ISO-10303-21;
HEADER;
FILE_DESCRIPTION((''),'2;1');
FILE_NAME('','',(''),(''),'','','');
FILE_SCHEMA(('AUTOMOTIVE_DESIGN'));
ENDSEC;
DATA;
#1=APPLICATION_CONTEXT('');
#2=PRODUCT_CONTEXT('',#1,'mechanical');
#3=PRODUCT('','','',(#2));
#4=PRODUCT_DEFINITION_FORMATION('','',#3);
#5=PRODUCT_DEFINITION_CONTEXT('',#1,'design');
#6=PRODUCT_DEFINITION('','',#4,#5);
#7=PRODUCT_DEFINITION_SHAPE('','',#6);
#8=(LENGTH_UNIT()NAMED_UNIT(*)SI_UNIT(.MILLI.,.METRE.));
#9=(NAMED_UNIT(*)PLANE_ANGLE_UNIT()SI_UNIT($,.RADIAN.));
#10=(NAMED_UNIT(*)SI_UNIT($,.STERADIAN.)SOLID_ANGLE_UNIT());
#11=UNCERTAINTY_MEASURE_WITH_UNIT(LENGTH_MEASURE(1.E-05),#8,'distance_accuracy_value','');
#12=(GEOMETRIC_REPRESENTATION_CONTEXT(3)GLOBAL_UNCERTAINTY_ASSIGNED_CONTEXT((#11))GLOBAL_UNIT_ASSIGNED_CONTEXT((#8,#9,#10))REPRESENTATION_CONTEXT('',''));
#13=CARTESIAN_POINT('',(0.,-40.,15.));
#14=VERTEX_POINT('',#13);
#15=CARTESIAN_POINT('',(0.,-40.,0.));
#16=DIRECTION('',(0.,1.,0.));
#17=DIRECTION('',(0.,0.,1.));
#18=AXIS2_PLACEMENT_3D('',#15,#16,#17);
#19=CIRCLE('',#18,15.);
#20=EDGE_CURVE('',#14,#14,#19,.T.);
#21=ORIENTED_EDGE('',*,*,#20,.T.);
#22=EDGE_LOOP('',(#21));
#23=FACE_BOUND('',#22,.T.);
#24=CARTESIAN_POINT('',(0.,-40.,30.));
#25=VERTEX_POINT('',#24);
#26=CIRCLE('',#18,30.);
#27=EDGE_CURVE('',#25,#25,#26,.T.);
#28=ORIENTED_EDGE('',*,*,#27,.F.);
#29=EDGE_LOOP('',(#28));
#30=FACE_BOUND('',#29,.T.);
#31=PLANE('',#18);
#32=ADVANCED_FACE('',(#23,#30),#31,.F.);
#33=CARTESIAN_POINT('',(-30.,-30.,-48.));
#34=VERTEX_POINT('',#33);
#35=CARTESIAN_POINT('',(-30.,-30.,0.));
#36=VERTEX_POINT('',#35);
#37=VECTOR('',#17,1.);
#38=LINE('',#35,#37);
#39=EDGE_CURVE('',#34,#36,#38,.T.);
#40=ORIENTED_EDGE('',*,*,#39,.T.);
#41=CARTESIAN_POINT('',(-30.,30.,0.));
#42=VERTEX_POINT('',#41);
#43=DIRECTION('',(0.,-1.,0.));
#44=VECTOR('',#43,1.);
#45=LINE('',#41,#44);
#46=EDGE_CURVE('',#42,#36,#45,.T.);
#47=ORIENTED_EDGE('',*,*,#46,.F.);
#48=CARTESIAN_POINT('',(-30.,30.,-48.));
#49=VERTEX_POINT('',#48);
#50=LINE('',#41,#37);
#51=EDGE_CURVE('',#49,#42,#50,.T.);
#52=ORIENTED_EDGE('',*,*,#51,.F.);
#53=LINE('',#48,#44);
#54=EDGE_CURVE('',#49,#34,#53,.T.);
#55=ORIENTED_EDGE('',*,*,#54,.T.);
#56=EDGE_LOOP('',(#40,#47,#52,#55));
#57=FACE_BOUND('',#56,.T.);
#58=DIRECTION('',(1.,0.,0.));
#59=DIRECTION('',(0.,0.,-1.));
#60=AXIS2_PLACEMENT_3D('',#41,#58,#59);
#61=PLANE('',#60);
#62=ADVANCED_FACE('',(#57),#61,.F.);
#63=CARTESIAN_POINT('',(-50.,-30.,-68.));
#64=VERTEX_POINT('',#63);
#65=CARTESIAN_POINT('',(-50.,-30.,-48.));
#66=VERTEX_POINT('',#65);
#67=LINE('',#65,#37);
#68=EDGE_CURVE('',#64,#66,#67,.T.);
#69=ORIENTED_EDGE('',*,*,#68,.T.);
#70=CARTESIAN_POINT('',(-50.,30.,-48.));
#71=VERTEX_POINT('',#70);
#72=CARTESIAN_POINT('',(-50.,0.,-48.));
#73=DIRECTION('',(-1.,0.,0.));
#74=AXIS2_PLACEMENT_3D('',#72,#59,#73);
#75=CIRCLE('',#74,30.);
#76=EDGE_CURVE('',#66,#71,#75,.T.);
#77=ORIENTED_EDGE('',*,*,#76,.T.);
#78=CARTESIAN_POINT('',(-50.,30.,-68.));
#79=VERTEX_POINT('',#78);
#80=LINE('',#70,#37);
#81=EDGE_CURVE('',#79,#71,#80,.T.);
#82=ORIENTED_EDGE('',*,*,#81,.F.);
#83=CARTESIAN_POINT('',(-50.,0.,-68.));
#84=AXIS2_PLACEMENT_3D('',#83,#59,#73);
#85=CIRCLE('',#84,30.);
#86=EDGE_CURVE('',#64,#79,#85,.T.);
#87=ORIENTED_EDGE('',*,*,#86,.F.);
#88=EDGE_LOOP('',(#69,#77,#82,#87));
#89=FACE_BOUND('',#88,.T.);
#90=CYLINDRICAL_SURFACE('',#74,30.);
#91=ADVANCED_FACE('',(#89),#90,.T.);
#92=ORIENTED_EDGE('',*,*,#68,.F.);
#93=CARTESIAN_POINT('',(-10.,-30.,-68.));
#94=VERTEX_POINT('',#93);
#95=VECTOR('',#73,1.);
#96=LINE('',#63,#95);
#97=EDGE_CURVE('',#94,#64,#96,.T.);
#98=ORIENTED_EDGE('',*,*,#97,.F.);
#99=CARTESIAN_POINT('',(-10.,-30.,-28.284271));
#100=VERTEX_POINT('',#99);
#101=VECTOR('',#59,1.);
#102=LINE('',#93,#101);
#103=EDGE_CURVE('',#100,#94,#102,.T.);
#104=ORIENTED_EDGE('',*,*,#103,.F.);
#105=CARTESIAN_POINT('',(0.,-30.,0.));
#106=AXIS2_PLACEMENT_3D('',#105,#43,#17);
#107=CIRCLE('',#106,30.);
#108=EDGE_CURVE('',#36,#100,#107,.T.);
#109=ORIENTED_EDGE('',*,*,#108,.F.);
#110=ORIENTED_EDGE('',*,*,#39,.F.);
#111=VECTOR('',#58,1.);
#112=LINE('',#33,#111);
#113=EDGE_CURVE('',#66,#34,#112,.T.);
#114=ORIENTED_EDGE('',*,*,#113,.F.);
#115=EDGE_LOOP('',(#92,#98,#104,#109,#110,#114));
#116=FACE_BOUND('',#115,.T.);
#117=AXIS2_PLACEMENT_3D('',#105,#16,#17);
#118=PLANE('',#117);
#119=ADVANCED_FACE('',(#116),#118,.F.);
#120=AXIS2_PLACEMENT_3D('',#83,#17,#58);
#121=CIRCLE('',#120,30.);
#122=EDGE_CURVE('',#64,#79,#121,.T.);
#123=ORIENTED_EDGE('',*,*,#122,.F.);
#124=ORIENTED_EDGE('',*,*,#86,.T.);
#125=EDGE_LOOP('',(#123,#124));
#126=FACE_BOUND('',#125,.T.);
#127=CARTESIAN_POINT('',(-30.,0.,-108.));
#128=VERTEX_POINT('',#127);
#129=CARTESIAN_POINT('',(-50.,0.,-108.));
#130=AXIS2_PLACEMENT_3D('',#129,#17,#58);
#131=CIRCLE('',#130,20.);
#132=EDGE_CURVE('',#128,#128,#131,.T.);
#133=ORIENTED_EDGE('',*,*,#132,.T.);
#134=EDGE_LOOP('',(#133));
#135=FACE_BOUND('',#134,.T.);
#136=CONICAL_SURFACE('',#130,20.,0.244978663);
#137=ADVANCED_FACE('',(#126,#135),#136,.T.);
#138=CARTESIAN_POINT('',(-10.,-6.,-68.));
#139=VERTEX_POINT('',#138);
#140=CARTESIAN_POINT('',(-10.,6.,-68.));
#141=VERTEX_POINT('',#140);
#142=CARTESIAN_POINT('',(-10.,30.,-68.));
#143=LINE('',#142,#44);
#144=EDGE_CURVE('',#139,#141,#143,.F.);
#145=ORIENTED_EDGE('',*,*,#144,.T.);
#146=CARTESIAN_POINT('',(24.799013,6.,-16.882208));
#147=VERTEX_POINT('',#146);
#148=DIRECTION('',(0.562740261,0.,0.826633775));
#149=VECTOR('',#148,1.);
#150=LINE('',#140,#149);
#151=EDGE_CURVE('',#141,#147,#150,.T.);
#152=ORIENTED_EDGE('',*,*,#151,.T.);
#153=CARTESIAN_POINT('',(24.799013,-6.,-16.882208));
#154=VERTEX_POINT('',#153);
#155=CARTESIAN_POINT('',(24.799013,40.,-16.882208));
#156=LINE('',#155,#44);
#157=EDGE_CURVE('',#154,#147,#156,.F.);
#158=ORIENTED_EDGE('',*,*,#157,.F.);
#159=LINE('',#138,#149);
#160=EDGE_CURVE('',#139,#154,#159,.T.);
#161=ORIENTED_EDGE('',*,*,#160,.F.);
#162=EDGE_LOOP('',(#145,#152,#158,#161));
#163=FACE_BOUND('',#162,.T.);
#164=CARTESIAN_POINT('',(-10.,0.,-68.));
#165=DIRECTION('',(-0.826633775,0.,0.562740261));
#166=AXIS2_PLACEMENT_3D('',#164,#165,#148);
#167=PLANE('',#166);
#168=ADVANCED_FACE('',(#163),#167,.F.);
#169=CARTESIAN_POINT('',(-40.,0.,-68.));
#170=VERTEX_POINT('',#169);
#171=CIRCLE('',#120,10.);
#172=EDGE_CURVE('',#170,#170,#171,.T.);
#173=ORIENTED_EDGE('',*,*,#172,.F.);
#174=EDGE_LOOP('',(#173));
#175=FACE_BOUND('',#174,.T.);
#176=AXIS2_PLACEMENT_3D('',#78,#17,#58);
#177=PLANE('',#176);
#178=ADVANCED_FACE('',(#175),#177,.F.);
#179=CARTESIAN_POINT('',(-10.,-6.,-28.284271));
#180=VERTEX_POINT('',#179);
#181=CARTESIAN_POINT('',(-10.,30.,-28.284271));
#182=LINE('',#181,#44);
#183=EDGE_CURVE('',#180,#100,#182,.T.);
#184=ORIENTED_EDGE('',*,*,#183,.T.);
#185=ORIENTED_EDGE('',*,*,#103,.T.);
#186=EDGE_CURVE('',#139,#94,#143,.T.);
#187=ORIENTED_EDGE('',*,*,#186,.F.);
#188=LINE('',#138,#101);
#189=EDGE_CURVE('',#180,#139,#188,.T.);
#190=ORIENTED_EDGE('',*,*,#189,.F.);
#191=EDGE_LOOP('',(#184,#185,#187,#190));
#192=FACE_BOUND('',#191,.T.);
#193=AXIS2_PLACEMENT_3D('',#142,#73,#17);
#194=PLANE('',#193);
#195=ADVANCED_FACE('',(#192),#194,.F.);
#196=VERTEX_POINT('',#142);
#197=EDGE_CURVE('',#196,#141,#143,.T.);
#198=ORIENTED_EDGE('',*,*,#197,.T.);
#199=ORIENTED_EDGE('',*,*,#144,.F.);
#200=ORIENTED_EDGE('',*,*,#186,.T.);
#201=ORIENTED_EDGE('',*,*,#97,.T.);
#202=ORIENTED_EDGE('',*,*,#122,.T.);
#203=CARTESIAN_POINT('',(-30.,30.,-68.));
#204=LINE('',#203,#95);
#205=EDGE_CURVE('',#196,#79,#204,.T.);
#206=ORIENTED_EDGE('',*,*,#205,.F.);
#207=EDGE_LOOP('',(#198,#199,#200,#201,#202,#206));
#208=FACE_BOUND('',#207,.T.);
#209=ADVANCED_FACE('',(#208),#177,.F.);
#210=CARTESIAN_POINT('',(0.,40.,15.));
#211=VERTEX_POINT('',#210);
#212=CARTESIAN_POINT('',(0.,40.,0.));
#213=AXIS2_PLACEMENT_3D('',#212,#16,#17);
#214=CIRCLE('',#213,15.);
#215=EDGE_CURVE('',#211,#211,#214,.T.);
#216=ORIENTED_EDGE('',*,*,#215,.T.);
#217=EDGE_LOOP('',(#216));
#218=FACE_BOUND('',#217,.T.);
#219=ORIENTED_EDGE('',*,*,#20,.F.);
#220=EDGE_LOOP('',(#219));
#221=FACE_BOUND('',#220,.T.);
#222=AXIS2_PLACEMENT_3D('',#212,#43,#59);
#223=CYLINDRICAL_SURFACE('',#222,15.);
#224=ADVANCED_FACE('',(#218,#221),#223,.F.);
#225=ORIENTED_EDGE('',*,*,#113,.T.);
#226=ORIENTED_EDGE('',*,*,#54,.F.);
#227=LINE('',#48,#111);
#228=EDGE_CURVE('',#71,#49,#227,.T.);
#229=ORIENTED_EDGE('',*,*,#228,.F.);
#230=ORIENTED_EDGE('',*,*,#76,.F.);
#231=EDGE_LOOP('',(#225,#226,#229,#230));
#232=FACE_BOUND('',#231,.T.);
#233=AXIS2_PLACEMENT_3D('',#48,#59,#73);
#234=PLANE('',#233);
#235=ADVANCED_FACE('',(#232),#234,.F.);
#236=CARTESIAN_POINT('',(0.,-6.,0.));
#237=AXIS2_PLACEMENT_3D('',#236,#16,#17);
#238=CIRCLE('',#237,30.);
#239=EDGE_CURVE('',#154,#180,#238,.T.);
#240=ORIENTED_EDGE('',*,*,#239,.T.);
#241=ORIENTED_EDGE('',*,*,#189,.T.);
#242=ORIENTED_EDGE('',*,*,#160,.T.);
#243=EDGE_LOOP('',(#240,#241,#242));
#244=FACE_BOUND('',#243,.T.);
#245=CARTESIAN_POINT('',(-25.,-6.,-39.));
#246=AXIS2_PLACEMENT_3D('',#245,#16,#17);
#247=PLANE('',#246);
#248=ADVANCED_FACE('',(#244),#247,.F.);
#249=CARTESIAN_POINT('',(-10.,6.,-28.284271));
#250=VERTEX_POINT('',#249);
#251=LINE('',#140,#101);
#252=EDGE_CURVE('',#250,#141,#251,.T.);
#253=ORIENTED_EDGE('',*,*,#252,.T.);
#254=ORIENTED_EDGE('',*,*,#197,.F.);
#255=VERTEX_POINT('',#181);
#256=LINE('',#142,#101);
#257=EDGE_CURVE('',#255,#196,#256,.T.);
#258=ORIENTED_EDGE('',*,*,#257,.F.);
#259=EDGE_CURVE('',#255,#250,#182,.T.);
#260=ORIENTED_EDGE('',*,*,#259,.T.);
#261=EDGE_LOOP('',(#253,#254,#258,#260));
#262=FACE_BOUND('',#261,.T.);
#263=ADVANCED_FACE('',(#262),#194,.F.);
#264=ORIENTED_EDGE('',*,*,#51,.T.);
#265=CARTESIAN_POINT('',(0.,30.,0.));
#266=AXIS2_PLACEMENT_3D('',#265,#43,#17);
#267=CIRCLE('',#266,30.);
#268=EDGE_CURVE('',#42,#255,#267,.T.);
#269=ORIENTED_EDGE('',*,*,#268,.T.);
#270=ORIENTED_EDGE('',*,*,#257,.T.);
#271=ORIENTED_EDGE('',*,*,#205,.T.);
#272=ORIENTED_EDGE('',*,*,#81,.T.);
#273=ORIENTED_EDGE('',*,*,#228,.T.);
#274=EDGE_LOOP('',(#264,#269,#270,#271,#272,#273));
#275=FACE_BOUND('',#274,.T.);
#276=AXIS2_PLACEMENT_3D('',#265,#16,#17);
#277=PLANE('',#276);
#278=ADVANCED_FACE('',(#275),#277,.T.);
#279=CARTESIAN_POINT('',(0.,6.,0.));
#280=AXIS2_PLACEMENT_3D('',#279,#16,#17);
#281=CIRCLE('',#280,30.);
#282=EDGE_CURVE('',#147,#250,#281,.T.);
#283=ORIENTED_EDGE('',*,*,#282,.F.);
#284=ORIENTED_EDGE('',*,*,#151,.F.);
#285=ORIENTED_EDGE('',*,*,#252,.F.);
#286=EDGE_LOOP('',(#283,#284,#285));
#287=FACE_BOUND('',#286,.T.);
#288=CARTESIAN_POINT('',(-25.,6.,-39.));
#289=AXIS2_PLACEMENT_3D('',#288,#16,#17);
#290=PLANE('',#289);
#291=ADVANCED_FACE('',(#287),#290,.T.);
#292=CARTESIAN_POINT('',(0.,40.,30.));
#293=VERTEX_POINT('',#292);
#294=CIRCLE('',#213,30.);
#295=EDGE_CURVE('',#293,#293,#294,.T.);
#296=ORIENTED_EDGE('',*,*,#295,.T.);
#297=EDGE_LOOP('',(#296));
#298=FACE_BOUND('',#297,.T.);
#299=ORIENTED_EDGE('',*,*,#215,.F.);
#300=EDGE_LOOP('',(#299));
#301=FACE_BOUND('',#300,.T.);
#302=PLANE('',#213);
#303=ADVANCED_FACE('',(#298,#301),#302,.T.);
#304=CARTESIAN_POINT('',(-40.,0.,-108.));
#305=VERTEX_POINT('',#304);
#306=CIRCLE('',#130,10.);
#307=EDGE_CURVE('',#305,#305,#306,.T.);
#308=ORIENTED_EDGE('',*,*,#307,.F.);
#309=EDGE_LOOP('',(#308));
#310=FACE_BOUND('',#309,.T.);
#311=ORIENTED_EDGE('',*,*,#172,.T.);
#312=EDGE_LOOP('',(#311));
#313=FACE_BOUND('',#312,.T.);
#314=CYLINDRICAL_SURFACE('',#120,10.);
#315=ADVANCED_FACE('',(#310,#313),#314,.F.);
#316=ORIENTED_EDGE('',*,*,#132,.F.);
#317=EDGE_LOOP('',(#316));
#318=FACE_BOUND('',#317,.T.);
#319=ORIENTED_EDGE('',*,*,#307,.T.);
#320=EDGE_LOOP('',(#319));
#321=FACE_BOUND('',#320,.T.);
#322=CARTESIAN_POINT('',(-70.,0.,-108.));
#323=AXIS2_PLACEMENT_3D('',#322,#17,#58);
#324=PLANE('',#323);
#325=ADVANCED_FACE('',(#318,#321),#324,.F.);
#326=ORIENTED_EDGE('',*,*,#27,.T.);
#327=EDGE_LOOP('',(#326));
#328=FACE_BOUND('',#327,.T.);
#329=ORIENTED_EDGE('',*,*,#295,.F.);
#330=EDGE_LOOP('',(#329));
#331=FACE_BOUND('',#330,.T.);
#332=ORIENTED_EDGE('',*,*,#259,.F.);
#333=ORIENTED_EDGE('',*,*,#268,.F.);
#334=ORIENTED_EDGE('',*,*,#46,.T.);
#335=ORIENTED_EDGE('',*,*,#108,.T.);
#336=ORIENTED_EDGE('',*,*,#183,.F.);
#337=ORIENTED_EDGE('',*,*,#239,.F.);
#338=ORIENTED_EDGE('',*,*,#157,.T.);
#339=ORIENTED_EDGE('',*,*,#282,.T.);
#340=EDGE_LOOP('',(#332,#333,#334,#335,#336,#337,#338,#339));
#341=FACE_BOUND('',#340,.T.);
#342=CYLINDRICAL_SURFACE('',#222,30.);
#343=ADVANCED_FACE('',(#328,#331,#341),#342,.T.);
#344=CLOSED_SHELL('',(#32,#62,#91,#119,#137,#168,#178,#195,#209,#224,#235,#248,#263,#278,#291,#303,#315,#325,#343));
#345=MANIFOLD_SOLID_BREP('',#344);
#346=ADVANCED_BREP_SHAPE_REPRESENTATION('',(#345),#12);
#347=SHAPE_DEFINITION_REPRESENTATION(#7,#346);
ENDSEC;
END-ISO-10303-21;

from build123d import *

# Parameters (mm, degrees)
SKETCH1_R           = 30
SKETCH1_R_2         = 15
BOSS_EXTRUDE2_DEPTH = 40
BOSS_EXTRUDE8_DEPTH = 30
BOSS_EXTRUDE9_DEPTH = 20
RIB1_REACH          = 142.228
SKETCH10_WALL_W     = 344.295269622
SKETCH10_WALL_H     = 12


with BuildPart() as part:
    # Sketch1 → Boss-Extrude2 (new, symmetric)
    with BuildSketch(Plane(origin=(0, 0, 0), x_dir=(1, 0, 0), z_dir=(0, 1, 0))):
        with Locations(Location((0, 0, 0), (0, 0, 270))):
            Circle(SKETCH1_R)
        with Locations(Location((0, 0, 0), (0, 0, 270))):
            Circle(SKETCH1_R_2, mode=Mode.SUBTRACT)
    extrude(amount=BOSS_EXTRUDE2_DEPTH, both=True)

    # Sketch2 → Boss-Extrude8 (add, symmetric)
    with BuildSketch(Plane(origin=(0, 0, 0), x_dir=(1, 0, 0), z_dir=(0, 1, 0))):
        with BuildLine():
            Line((-30, 0), (-30, 48))
            Line((-30, 48), (-50, 48))
            Line((-50, 48), (-50, 68))
            Line((-50, 68), (-30, 68))
            Line((-30, 68), (-10, 68))
            Line((-10, 68), (-10, 28.284271247))
            ThreePointArc((-10, 28.284271247), (-24.494897428, 17.320508076), (-30, 0))
        make_face()
    extrude(amount=BOSS_EXTRUDE8_DEPTH, both=True)

    # Sketch7 → Boss-Extrude9 (add)
    with BuildSketch(Plane(origin=(0, 0, -68), x_dir=(-1, 0, 0), z_dir=(0, 0, -1))):
        with BuildLine():
            Line((50, 30), (50, -30))
            ThreePointArc((50, -30), (80, 0), (50, 30))
        make_face()
    extrude(amount=-BOSS_EXTRUDE9_DEPTH)

    # Sketch9 → Revolve2 (revolve)
    with BuildSketch(Plane(origin=(0, 0, 0), x_dir=(1, 0, 0), z_dir=(0, 1, 0)), mode=Mode.PRIVATE) as revolve2_sk:
        Polygon((-80, 68), (-70, 108), (-60, 108), (-60, 68), align=None)
    revolve(revolve2_sk.sketch.rotate(Axis((-50, 0, -68), (0, 0, -1)), 180), axis=Axis((-50, 0, -68), (0, 0, -1)))

    # Sketch10 wall → Rib1 (add, up to next)
    with BuildSketch(Plane(origin=(7.39950663, 0, -42.441103916), x_dir=(0.562740261082, 0, 0.826633775355), z_dir=(0.826633775355, 0, -0.562740261082)), mode=Mode.PRIVATE) as rib1_sk1:
        Rectangle(SKETCH10_WALL_W, SKETCH10_WALL_H)
    rib1_tool1 = extrude(rib1_sk1.sketch, amount=-RIB1_REACH, mode=Mode.PRIVATE) - part.part
    add(rib1_tool1.solids().sort_by_distance((7.39950663, 0, -42.441103916))[0])


solid = part.part
